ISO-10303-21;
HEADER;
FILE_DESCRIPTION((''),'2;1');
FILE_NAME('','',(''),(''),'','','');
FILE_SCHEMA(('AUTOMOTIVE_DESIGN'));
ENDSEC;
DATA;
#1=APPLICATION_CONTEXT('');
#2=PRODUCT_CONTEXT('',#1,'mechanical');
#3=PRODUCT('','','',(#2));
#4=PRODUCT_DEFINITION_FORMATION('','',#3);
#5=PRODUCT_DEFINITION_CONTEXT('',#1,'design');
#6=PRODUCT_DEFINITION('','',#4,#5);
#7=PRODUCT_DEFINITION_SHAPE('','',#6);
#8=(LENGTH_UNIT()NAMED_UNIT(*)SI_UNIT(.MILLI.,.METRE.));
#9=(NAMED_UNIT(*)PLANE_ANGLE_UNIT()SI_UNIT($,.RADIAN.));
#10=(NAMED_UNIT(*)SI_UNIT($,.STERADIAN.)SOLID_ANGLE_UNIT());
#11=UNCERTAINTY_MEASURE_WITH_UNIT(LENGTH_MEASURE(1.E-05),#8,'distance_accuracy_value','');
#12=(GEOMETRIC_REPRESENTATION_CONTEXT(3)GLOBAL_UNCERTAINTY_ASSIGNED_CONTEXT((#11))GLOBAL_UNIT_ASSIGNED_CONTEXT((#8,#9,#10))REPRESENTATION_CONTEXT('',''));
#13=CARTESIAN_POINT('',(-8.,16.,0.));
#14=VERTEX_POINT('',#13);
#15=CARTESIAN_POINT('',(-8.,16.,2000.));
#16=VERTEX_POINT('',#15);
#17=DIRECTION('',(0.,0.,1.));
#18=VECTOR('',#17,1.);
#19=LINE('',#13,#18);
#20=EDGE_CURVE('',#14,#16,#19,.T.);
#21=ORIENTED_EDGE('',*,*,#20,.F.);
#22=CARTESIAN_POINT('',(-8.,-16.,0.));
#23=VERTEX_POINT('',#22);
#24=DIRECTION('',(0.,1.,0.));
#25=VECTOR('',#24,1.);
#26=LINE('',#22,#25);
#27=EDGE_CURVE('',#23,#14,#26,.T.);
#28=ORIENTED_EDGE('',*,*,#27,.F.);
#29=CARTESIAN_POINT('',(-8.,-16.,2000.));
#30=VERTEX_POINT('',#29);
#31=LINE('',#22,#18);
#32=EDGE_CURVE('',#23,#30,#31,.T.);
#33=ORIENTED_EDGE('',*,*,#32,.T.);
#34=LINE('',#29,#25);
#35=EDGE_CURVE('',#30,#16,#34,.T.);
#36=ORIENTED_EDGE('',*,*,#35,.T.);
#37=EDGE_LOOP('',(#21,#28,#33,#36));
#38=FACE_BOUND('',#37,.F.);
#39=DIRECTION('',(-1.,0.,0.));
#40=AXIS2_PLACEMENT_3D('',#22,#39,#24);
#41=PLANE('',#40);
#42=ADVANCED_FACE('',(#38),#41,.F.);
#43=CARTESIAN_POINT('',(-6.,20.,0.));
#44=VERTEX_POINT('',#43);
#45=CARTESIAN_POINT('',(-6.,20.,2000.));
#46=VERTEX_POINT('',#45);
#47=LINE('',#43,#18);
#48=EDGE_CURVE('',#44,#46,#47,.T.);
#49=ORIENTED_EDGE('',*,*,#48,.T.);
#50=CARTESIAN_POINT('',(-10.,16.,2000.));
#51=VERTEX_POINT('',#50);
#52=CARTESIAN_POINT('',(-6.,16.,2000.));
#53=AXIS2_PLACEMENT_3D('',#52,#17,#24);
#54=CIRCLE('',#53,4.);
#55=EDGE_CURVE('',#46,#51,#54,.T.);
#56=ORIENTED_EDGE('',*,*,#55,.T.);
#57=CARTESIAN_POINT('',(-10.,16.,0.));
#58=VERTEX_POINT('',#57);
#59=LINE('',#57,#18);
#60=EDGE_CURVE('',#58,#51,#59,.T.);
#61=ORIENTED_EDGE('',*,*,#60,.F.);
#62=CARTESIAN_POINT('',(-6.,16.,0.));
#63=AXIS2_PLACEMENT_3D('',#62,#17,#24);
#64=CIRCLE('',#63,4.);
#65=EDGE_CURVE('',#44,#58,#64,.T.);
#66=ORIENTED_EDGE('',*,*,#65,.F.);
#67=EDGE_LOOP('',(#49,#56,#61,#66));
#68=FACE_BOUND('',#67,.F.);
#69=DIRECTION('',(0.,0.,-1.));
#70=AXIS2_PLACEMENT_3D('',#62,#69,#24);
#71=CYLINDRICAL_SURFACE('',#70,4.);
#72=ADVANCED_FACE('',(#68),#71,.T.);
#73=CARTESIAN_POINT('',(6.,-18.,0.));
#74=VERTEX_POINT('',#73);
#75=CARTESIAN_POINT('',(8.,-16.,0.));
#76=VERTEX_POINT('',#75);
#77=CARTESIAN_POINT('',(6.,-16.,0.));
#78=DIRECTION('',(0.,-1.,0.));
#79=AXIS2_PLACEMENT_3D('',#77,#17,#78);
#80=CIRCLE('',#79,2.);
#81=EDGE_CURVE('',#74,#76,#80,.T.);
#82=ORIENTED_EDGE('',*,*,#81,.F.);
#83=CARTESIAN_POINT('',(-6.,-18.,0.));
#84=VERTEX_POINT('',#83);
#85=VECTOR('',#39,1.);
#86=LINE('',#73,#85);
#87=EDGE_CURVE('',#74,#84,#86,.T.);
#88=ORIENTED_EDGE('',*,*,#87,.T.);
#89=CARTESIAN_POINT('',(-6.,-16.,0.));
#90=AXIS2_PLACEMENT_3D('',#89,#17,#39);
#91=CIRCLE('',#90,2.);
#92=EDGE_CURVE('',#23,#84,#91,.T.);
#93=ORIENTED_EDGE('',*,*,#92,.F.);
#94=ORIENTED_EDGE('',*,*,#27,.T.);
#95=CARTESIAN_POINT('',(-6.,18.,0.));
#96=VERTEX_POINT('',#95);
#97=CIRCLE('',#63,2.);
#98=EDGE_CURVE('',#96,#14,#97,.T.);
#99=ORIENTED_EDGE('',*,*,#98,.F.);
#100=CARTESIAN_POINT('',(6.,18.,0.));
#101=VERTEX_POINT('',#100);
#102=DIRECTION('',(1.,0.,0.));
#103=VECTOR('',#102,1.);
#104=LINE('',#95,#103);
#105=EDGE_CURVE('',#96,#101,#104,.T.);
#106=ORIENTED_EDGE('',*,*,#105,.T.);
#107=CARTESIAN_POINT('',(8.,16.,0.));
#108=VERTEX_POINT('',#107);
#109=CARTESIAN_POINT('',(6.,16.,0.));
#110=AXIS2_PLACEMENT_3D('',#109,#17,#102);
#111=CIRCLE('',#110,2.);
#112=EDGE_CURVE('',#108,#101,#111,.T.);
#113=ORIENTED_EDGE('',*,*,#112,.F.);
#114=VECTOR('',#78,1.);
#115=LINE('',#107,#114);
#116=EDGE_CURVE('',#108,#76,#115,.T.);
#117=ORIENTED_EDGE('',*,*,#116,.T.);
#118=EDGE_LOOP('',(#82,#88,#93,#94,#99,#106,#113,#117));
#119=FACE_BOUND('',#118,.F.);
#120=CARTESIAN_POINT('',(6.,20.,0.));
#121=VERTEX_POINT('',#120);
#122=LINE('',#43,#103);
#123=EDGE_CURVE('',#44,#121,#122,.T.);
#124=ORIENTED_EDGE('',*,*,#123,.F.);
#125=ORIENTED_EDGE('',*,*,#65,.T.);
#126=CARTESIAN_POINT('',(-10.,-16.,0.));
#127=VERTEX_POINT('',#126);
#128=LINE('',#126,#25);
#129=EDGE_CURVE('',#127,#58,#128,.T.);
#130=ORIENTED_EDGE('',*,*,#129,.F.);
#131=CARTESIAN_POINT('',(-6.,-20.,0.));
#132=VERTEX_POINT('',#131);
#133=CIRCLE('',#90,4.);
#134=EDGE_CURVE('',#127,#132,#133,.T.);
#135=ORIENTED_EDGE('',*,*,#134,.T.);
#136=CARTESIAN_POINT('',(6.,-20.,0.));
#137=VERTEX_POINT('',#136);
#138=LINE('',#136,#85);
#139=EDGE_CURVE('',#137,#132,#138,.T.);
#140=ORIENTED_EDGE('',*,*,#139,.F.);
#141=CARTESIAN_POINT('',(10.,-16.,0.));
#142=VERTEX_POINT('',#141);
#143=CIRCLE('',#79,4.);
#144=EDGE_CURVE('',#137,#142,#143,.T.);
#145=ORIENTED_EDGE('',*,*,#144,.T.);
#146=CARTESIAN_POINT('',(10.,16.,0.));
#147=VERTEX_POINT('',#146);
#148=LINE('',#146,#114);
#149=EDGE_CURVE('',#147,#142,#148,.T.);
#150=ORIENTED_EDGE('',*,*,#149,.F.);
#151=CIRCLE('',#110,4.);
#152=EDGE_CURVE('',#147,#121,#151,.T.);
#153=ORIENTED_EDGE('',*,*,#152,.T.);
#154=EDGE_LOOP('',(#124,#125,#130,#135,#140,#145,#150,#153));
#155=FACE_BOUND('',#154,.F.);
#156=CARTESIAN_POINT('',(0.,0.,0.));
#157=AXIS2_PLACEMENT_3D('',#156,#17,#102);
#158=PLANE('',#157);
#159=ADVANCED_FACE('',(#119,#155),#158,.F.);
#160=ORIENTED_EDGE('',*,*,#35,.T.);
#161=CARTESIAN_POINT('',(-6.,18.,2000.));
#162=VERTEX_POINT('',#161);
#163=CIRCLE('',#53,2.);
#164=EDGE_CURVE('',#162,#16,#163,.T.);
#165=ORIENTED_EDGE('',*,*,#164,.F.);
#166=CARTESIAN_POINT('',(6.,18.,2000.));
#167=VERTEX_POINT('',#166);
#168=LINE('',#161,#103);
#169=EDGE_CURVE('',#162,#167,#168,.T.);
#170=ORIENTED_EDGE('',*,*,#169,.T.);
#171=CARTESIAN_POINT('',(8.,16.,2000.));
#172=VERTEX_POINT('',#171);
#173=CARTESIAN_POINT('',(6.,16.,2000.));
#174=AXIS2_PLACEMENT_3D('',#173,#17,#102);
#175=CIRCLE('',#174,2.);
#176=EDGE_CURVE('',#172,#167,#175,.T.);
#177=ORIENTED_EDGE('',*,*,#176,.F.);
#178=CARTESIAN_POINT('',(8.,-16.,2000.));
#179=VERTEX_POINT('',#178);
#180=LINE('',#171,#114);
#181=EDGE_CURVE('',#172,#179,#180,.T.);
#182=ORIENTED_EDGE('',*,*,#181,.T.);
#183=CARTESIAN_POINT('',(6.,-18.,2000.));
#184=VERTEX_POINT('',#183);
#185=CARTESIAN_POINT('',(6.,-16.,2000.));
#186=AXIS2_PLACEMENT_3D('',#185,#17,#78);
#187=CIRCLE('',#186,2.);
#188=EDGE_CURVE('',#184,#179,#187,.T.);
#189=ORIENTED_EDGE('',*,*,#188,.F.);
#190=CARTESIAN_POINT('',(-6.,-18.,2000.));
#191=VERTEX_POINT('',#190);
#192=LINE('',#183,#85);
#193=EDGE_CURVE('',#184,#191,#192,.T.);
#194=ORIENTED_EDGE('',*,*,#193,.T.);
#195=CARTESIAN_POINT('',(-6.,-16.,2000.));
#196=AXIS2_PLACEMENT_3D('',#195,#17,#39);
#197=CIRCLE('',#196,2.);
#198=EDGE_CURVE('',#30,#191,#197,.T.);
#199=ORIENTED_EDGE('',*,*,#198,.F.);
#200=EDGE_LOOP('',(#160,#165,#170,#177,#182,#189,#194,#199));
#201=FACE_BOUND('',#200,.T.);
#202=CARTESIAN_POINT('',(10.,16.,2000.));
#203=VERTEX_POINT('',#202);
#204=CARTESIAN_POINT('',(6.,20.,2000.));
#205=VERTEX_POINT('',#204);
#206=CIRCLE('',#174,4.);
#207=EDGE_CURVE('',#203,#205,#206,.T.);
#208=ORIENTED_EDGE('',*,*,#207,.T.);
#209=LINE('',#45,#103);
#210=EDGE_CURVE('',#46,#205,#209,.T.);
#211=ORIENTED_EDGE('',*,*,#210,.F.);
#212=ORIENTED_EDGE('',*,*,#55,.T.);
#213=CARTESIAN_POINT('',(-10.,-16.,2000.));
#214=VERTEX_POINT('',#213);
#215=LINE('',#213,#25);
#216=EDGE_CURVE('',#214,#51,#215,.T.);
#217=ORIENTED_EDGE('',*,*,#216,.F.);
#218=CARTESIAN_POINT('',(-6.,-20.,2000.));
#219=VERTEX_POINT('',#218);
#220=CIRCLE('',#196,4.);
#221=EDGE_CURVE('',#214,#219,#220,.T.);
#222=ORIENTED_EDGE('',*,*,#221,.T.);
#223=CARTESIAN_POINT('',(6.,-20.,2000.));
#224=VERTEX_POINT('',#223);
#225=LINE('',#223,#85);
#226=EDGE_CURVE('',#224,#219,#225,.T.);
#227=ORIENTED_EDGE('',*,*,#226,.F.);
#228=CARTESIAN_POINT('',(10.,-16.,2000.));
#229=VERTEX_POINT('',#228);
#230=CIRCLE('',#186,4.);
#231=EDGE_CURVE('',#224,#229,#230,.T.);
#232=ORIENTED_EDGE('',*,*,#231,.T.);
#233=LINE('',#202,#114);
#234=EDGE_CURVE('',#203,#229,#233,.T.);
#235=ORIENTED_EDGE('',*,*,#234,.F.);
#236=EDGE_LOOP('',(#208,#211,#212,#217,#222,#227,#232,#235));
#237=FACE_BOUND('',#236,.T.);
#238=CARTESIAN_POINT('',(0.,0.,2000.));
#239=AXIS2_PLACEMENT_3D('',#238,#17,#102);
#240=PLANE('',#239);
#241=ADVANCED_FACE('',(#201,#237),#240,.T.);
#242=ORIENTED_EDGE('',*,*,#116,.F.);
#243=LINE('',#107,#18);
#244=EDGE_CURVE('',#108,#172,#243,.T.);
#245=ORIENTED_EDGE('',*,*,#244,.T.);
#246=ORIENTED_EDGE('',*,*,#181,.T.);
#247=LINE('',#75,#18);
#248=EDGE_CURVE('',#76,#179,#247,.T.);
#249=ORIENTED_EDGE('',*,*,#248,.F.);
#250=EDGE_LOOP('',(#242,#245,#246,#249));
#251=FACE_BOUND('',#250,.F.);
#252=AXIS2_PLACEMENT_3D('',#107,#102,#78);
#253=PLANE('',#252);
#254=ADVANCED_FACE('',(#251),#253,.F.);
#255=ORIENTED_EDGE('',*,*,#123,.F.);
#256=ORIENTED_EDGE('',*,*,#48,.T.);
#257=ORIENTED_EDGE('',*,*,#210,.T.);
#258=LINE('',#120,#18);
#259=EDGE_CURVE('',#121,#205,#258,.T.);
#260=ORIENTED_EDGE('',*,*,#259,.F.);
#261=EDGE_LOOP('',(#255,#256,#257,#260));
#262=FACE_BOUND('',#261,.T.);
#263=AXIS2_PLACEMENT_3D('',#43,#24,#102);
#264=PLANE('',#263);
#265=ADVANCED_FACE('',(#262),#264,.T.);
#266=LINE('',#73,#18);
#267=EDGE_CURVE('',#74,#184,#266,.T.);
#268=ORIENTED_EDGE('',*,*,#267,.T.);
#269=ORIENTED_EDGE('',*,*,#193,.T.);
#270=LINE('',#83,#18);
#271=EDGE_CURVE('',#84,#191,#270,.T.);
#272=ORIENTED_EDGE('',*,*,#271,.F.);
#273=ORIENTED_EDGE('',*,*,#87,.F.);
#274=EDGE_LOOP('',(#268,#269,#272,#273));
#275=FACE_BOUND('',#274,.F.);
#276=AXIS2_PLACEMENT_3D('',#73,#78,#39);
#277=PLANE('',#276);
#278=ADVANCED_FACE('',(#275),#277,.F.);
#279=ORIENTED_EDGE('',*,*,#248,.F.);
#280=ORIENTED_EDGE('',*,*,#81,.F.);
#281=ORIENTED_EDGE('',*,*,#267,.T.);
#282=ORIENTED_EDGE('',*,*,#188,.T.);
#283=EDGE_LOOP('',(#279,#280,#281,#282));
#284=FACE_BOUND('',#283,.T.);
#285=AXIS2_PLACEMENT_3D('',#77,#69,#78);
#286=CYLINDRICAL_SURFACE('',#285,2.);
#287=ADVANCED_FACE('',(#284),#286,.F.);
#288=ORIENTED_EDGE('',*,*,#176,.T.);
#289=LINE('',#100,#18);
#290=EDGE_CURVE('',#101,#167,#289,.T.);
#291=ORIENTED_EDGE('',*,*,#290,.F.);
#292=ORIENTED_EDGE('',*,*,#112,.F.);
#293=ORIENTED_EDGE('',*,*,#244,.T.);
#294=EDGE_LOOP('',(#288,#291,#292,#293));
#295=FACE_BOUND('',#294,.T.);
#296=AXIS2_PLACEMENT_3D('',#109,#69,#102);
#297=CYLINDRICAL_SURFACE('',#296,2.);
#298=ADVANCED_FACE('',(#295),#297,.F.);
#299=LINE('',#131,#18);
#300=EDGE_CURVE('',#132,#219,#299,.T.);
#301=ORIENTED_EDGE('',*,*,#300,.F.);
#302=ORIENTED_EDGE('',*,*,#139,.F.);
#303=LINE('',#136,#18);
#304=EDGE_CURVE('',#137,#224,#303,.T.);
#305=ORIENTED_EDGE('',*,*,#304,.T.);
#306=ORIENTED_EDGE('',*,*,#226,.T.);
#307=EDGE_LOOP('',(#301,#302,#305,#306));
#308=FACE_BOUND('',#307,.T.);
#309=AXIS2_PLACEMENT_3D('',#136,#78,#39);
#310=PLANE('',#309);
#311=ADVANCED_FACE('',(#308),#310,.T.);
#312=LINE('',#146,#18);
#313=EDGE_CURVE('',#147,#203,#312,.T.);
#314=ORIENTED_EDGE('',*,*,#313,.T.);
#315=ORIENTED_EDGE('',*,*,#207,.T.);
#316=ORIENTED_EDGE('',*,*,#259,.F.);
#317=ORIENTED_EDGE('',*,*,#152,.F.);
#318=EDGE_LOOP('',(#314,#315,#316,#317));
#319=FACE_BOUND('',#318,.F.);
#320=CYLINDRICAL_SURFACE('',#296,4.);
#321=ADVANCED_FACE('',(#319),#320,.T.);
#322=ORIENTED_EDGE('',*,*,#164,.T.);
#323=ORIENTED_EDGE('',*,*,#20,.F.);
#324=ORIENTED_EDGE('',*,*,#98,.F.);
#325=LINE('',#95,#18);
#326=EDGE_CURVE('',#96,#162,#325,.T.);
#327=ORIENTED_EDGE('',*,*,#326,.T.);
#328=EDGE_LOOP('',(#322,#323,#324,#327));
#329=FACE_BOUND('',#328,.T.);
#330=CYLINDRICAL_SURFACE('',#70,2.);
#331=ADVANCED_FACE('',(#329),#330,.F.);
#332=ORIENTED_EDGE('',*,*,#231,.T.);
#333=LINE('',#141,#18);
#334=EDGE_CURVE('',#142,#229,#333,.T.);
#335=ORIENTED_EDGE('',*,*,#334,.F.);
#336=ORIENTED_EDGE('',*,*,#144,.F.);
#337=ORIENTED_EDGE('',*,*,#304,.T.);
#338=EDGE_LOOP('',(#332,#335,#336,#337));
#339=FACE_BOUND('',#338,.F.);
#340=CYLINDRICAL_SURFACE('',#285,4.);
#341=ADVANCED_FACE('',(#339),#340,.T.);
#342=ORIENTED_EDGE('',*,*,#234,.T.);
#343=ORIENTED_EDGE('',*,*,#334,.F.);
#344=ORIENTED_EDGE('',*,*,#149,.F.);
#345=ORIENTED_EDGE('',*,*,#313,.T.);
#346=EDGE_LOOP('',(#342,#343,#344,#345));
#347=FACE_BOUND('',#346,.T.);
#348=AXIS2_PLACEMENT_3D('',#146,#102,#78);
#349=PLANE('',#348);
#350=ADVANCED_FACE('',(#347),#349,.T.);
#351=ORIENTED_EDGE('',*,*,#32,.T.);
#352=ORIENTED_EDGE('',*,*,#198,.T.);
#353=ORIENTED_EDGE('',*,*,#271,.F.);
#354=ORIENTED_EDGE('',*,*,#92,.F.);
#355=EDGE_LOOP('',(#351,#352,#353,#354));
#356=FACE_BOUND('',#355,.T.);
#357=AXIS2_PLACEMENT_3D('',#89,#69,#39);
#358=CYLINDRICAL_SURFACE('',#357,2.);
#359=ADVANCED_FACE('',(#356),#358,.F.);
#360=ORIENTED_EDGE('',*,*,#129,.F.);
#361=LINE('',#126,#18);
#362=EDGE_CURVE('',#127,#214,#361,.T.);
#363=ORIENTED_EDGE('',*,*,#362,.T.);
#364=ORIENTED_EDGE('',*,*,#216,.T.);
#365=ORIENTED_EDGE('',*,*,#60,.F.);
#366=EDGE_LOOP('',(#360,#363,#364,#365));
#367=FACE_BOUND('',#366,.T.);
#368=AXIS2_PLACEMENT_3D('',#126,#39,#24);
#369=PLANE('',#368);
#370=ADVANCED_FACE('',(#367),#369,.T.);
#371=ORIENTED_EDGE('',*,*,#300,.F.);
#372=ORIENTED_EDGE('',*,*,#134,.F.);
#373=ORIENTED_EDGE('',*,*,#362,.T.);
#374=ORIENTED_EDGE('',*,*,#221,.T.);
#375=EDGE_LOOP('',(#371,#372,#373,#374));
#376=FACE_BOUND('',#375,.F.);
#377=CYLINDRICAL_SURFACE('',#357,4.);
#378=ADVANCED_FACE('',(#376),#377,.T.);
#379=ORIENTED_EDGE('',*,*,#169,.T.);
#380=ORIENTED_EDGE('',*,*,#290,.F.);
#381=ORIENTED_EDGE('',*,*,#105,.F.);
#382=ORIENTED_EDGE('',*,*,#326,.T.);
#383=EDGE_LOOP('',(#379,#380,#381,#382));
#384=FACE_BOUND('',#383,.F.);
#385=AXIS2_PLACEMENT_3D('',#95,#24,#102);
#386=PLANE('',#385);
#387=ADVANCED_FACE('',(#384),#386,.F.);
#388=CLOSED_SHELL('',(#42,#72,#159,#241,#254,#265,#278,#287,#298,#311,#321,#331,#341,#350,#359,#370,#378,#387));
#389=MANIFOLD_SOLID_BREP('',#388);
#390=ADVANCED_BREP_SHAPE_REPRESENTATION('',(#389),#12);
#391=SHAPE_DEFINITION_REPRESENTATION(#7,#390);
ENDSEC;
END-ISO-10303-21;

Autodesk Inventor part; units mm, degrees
ref_plane "YZ Plane" through (0, 0, 0) normal (1, 0, 0) x (0, 1, 0)
ref_plane "Start plane" through (0, 0, 0) normal (0, 0, 1) x (1, 0, 0)
ref_plane "End plane" through (0, 0, 2000) normal (0, 0, 1) x (1, 0, 0)
sketch "Sketch" plane through (0, 0, 0) normal (0, 0, 1) x (1, 0, 0)
  line L0 (-10, -16) -> (-10, 16)
  line L1 (-6, 20) -> (6, 20)
  line L2 (10, 16) -> (10, -16)
  line L3 (6, -20) -> (-6, -20)
  arc A0 (-10, -16) -> (-6, -20) centre (-6, -16) ccw
  arc A1 (-6, 20) -> (-10, 16) centre (-6, 16) ccw
  arc A2 (10, 16) -> (6, 20) centre (6, 16) ccw
  arc A3 (6, -20) -> (10, -16) centre (6, -16) ccw
  arc A4 (-6, 18) -> (-8, 16) centre (-6, 16) ccw
  line L4 (-6, 18) -> (6, 18)
  arc A5 (8, 16) -> (6, 18) centre (6, 16) ccw
  line L5 (8, 16) -> (8, -16)
  arc A6 (6, -18) -> (8, -16) centre (6, -16) ccw
  line L6 (6, -18) -> (-6, -18)
  arc A7 (-8, -16) -> (-6, -18) centre (-6, -16) ccw
  line L7 (-8, -16) -> (-8, 16)
  line L8 (0, 37.1021) -> (0, -37.1021) construction
  line L9 (-23.1021, 0) -> (23.1021, 0) construction
  dimension "d7" = 4
  dimension "d10" = 40
  dimension "d11" = 20
  dimension "d12" = 2
  dimension "d15" = 20
  dimension "d16" = 10
extrude "Body" add sketch "Sketch" along normal up to surface (2000 mm away) from surface at 0
sketch "Sketch3" plane through (0, 0, 0) normal (0, 0, 1) x (1, 0, 0)
  line L0 (0, 0) -> (10, 0)
ref_plane "Work Plane3" through (0, 0, 0) normal (0, -1, 0) x (1, 0, 0)
sketch "Sketch4" plane through (0, 0, 0) normal (0, -1, 0) x (1, 0, 0)
  line L0 (-2, 0) -> (12, 0) projected
  line L1 (-2, 2000) -> (12, 2000) projected
  dimension "d18" = 2000
equation "\"d7\" = G_IR"
equation "\"d10\" = G_H"
equation "\"d11\" = G_W"
equation "\"d12\" = G_T"
equation "\"d15\" = 0.5 * d10"
equation "\"d16\" = 0.5 * d11"
equation "\"d3\" = G_L"
equation "\"G_W\" = 20"
equation "\"G_H\" = 40"
equation "\"G_T\" = 2"
equation "\"G_IR\" = 4"
equation "\"G_L\" = d18"
equation "\"G_OFFSET_START\" = 0"
equation "\"G_OFFSET_END\" = 0"
properties part number "DIN EN 10219-2 - 40 x 20 x 2  - 2000" material "Steel, Mild"
